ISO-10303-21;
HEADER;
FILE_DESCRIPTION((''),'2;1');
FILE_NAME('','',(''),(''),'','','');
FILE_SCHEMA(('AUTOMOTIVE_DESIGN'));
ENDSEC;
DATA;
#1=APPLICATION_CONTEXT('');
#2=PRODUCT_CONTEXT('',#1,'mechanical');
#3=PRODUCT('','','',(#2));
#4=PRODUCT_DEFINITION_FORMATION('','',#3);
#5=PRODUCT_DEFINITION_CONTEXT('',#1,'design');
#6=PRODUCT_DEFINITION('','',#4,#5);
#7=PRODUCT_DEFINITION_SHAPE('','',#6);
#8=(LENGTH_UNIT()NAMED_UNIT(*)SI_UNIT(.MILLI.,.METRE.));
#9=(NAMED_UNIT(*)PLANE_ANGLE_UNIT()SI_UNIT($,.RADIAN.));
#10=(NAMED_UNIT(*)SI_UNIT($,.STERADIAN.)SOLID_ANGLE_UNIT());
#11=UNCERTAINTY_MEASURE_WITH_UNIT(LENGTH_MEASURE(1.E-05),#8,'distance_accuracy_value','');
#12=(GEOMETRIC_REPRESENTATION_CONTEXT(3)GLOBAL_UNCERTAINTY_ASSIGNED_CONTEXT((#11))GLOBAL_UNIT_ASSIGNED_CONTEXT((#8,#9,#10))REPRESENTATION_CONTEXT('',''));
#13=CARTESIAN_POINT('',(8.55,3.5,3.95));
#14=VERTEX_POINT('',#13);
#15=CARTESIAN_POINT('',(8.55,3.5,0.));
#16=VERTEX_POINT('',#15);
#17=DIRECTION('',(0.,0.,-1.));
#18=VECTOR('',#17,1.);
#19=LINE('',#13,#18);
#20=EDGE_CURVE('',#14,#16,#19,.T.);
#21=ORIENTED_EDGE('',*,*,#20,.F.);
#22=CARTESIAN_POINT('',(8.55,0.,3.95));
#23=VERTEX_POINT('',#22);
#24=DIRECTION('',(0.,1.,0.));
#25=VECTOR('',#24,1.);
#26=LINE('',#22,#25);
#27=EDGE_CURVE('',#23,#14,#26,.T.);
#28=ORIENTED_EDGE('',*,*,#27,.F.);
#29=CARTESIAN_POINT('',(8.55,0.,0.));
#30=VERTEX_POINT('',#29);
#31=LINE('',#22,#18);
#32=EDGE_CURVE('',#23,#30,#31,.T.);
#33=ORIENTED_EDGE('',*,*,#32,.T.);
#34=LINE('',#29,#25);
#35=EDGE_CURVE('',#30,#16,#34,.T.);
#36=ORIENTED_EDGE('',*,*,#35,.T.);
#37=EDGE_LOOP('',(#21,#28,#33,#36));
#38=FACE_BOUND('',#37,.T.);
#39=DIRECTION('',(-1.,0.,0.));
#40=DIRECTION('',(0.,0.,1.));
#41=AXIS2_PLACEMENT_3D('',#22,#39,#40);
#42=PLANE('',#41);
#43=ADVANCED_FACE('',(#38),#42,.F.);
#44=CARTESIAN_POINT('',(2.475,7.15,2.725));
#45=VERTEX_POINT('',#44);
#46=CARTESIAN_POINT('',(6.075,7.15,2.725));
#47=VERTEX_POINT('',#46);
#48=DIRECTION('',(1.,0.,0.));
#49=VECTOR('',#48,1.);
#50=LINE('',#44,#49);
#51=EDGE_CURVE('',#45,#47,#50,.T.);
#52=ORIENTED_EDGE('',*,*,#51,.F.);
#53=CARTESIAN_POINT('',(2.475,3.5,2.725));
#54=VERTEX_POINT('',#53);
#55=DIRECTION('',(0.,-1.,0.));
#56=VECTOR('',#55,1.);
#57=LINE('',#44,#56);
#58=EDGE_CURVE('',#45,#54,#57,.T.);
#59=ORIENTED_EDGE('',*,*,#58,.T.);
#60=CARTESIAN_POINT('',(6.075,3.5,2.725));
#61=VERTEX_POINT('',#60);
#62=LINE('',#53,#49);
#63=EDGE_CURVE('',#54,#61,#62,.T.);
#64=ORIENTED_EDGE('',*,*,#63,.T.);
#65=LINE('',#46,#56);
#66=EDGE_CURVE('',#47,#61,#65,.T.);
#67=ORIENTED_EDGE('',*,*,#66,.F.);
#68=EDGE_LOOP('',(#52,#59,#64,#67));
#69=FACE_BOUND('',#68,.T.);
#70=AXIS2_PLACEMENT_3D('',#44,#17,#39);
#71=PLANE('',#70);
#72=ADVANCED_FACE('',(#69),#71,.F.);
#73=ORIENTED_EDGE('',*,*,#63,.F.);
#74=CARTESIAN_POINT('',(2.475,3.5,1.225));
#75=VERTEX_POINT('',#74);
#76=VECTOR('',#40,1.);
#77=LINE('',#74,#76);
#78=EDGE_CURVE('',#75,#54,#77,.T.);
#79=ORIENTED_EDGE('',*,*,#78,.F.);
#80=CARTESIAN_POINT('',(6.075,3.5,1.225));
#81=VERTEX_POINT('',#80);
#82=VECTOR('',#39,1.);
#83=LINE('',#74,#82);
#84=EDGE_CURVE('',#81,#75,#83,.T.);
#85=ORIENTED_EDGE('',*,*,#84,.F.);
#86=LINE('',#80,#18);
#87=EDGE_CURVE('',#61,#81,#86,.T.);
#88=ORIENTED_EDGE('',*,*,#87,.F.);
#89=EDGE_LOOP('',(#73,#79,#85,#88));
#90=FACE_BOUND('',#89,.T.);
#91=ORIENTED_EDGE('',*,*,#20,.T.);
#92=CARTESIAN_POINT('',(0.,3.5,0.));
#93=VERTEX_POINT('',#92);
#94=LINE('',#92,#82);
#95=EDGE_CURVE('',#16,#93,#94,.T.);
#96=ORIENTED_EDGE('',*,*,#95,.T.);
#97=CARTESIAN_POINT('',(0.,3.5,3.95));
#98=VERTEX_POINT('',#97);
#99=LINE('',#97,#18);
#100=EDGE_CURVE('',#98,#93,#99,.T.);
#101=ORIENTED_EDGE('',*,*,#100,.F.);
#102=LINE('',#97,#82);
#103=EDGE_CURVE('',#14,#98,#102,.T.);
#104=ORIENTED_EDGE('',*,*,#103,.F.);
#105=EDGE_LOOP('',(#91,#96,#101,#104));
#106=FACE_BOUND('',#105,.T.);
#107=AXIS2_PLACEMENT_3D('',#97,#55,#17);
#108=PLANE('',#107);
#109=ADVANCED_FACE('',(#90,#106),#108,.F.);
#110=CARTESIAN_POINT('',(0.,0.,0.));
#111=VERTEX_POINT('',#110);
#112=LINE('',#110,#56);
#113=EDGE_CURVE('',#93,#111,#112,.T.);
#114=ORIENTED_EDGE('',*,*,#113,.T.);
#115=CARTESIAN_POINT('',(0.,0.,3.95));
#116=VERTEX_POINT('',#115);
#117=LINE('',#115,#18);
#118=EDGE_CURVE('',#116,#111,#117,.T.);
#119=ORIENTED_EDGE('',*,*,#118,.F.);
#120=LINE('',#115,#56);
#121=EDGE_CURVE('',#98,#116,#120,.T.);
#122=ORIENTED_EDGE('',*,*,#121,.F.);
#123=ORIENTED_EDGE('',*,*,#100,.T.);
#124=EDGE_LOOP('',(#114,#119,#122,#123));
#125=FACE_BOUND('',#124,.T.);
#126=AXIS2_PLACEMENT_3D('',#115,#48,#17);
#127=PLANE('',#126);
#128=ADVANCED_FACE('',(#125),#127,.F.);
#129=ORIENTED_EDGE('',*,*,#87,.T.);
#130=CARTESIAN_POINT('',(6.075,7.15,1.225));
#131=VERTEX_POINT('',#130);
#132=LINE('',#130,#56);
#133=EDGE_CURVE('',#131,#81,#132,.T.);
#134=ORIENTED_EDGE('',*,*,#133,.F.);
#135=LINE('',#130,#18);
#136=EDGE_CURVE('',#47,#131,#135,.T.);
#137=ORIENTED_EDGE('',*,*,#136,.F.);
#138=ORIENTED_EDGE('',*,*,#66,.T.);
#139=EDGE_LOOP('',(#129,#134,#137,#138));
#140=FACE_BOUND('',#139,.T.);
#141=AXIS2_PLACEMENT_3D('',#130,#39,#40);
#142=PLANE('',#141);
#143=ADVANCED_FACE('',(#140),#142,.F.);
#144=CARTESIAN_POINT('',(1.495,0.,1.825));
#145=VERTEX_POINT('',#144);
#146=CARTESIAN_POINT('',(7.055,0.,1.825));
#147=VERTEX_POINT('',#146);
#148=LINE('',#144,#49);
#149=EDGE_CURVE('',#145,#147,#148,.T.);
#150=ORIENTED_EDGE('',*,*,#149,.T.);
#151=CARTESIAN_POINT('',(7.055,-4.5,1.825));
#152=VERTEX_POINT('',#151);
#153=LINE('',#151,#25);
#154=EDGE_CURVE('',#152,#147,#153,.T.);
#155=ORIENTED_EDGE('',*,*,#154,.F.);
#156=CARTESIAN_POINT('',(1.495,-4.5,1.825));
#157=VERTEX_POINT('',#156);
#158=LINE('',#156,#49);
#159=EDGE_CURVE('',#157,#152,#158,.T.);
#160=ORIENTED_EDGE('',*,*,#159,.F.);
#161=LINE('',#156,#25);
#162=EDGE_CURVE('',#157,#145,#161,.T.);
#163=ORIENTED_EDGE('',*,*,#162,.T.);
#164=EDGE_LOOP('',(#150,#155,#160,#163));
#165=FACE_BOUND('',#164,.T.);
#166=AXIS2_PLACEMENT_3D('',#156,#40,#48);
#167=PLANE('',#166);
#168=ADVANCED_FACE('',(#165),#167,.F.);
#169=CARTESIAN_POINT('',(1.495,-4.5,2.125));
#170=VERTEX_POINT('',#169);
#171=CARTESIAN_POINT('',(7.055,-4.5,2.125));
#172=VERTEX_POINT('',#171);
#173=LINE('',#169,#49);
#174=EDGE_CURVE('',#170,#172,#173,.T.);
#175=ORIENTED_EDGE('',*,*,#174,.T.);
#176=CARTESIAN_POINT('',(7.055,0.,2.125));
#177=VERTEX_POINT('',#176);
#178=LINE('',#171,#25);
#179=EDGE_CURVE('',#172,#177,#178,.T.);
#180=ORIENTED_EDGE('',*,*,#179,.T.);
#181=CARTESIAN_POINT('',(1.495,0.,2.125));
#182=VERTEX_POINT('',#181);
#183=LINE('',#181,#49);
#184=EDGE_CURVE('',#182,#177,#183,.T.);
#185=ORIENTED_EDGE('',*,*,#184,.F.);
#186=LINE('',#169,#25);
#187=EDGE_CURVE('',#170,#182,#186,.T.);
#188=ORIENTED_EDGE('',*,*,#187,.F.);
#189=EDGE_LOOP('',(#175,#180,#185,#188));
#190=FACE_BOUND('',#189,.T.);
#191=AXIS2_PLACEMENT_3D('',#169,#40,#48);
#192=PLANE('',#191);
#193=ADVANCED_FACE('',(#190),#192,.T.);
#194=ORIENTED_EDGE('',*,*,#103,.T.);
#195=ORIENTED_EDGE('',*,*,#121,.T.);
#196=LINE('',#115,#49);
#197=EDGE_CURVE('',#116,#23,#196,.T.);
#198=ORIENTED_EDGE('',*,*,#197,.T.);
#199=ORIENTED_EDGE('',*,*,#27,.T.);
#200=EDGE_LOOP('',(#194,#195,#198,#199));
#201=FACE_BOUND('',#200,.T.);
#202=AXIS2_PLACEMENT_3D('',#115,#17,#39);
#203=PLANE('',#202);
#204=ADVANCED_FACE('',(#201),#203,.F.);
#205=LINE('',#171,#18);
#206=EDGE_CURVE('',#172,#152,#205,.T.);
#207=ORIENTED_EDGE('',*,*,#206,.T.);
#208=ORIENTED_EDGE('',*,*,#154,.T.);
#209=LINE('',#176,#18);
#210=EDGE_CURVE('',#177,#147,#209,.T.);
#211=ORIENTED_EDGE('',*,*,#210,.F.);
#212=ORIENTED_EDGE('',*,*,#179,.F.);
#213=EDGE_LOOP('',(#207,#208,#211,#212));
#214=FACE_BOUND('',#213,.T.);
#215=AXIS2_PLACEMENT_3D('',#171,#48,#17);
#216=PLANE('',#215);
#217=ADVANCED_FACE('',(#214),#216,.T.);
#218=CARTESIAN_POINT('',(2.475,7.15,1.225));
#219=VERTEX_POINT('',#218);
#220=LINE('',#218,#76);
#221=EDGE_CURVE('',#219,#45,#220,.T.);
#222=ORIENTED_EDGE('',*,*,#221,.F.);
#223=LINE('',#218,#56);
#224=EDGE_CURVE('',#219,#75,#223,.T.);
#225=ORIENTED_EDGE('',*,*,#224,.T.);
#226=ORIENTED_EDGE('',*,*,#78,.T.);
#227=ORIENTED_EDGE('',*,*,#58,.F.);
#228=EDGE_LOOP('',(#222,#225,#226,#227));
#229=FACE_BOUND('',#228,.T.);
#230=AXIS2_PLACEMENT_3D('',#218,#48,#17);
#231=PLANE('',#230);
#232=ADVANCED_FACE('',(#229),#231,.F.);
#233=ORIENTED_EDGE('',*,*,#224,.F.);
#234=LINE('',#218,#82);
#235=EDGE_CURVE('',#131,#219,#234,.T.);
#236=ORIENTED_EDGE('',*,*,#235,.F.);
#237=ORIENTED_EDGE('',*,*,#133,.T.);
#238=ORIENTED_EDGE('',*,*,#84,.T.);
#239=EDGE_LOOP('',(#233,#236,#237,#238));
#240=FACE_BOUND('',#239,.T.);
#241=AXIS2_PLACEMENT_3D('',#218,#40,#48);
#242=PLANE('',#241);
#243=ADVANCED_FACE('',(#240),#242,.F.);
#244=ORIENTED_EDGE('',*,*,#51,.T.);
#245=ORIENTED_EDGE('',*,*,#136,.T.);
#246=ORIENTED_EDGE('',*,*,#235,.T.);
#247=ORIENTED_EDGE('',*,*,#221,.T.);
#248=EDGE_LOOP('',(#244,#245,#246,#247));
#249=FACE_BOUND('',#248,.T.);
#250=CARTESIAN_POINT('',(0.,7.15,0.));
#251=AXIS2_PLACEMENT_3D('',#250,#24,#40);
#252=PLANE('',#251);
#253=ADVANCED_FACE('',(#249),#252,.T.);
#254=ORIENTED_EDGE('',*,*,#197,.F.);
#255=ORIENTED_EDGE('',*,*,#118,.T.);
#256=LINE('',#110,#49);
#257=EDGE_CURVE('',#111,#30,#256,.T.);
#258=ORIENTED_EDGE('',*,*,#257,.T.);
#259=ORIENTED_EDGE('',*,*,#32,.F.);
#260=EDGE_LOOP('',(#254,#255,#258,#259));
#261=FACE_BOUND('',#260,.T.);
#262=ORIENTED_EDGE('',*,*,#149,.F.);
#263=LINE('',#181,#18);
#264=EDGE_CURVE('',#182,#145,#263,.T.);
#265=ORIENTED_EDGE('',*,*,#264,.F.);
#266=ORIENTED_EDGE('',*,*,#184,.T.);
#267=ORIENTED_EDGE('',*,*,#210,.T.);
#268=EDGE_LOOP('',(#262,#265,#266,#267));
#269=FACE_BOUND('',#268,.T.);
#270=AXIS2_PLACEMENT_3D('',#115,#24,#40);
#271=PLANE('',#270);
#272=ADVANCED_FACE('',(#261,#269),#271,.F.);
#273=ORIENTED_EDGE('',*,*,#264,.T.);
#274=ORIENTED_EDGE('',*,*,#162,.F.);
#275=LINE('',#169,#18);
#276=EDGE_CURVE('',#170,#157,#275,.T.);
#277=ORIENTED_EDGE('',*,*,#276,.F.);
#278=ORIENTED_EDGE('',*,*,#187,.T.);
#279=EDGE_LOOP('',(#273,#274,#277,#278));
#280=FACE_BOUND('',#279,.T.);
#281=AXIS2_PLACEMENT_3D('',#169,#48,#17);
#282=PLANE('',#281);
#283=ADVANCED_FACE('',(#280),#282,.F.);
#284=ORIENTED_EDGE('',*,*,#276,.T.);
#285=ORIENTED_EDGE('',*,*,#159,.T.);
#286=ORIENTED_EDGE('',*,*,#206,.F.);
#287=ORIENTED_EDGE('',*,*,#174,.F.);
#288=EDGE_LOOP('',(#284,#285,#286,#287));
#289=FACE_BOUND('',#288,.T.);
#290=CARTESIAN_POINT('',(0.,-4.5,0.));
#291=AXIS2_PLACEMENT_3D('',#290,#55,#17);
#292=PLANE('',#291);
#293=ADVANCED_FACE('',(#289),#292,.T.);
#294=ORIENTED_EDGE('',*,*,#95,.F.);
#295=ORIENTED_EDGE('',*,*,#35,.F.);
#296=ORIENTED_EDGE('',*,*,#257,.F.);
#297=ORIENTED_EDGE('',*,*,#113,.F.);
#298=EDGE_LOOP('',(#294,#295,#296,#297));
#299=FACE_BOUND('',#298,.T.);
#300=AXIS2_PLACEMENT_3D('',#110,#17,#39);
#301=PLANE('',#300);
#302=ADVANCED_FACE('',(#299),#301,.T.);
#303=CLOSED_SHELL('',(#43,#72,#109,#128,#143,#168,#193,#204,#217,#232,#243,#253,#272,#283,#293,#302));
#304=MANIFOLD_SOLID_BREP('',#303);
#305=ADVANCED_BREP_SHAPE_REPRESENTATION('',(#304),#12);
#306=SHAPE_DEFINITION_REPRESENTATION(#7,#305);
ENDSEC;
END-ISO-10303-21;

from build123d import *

# Parameters (mm, degrees)
SKETCH_1_W      = 8.55
SKETCH_1_H      = 3.5
EXTRUDE_1_DEPTH = 3.95
SKETCH_2_W      = 3.6
SKETCH_2_H      = 1.5
EXTRUDE_2_DEPTH = 3.65
SKETCH_3_W      = 5.56
SKETCH_3_H      = 0.3
EXTRUDE_3_DEPTH = 4.5


with BuildPart() as part:
    # 草图1 → 凸台-拉伸1 (new body)
    with BuildSketch(Plane.XY):
        with Locations((4.275, 1.75)):
            Rectangle(SKETCH_1_W, SKETCH_1_H)
    extrude(amount=EXTRUDE_1_DEPTH)

    # 草图2 → 凸台-拉伸2 (add)
    with BuildSketch(Plane(origin=(0, 3.5, 0), x_dir=(1, 0, 0), z_dir=(0, 1, 0))):
        with Locations((4.275, -1.975)):
            Rectangle(SKETCH_2_W, SKETCH_2_H)
    extrude(amount=EXTRUDE_2_DEPTH)

    # 草图3 → 凸台-拉伸3 (add)
    with BuildSketch(Plane.XZ):
        with Locations((4.275, 1.975)):
            Rectangle(SKETCH_3_W, SKETCH_3_H)
    extrude(amount=EXTRUDE_3_DEPTH)


solid = part.part
